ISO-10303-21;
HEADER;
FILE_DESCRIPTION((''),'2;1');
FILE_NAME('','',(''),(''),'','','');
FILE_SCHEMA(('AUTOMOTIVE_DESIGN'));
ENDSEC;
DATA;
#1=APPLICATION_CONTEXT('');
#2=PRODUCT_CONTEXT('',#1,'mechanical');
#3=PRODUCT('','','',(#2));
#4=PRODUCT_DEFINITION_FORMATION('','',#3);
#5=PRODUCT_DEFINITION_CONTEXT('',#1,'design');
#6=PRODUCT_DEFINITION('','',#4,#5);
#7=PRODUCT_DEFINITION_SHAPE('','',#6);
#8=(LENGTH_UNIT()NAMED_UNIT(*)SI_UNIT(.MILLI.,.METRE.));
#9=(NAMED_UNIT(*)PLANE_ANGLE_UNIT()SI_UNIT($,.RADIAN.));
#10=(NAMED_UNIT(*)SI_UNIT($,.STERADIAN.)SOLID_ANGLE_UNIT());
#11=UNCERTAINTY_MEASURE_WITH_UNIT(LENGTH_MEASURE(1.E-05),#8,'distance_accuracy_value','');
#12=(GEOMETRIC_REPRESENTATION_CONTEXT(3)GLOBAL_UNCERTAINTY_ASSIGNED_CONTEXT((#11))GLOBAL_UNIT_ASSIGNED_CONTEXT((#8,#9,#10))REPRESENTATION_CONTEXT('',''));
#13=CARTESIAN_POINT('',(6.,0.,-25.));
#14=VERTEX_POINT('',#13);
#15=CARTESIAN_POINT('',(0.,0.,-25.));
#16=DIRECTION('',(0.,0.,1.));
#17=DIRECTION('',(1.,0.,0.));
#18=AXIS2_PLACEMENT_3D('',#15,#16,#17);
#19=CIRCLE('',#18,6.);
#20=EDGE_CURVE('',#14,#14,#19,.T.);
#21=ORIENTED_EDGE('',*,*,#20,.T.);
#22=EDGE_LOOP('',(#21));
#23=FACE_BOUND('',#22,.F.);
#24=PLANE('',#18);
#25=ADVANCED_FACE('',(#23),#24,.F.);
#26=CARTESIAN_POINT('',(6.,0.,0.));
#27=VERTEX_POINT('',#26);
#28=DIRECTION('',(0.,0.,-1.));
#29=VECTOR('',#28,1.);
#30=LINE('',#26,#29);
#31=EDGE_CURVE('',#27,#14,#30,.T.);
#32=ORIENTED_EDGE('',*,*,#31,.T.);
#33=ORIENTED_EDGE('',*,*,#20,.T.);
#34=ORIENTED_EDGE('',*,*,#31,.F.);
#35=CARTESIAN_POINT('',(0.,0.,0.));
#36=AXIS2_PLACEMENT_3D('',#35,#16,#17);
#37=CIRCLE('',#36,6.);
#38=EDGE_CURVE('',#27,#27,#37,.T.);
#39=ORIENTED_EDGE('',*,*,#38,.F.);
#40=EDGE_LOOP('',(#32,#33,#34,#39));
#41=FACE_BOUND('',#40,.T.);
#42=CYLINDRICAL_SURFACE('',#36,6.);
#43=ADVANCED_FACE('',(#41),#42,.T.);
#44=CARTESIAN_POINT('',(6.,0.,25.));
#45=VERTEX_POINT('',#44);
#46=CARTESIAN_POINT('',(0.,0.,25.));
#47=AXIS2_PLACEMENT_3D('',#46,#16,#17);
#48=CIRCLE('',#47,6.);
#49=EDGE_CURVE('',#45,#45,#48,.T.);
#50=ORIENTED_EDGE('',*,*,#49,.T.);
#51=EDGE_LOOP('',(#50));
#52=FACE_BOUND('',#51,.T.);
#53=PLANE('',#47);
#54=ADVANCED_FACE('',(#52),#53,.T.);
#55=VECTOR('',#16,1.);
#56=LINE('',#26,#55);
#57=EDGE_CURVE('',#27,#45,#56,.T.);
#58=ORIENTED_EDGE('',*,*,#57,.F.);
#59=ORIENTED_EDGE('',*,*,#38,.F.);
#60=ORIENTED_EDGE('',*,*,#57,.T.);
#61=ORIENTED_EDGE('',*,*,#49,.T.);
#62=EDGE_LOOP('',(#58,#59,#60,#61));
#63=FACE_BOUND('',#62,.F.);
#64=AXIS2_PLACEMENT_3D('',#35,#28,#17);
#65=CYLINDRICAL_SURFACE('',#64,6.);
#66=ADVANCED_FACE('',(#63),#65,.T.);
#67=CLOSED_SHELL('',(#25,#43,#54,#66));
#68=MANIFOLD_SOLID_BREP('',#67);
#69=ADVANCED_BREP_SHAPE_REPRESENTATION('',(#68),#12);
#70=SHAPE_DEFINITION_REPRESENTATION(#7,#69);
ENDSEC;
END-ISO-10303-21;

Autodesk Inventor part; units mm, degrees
ref_plane "YZ Plane" through (0, 0, 0) normal (1, 0, 0) x (0, 1, 0)
ref_plane "XZ Plane" through (0, 0, 0) normal (0, 1, 0) x (-1, 0, 0)
ref_plane "XY Plane" through (0, 0, 0) normal (0, 0, 1) x (1, 0, 0)
sketch "Sketch1" plane through (0, 0, 0) normal (0, 0, 1) x (1, 0, 0)
  circle A0 centre (0, 0) radius 6
  dimension "d0" = 12
extrude "Extrusion1" add sketch "Sketch1" along normal mid plane 50
equation "\"d0\" = Шпил_пласт_НОС_диам_шпильки"
equation "\"Шпил_пласт_НОС_диам_шпильки\" = 12"
properties part number "ДМС 033 шпилька 3 v2.0"
